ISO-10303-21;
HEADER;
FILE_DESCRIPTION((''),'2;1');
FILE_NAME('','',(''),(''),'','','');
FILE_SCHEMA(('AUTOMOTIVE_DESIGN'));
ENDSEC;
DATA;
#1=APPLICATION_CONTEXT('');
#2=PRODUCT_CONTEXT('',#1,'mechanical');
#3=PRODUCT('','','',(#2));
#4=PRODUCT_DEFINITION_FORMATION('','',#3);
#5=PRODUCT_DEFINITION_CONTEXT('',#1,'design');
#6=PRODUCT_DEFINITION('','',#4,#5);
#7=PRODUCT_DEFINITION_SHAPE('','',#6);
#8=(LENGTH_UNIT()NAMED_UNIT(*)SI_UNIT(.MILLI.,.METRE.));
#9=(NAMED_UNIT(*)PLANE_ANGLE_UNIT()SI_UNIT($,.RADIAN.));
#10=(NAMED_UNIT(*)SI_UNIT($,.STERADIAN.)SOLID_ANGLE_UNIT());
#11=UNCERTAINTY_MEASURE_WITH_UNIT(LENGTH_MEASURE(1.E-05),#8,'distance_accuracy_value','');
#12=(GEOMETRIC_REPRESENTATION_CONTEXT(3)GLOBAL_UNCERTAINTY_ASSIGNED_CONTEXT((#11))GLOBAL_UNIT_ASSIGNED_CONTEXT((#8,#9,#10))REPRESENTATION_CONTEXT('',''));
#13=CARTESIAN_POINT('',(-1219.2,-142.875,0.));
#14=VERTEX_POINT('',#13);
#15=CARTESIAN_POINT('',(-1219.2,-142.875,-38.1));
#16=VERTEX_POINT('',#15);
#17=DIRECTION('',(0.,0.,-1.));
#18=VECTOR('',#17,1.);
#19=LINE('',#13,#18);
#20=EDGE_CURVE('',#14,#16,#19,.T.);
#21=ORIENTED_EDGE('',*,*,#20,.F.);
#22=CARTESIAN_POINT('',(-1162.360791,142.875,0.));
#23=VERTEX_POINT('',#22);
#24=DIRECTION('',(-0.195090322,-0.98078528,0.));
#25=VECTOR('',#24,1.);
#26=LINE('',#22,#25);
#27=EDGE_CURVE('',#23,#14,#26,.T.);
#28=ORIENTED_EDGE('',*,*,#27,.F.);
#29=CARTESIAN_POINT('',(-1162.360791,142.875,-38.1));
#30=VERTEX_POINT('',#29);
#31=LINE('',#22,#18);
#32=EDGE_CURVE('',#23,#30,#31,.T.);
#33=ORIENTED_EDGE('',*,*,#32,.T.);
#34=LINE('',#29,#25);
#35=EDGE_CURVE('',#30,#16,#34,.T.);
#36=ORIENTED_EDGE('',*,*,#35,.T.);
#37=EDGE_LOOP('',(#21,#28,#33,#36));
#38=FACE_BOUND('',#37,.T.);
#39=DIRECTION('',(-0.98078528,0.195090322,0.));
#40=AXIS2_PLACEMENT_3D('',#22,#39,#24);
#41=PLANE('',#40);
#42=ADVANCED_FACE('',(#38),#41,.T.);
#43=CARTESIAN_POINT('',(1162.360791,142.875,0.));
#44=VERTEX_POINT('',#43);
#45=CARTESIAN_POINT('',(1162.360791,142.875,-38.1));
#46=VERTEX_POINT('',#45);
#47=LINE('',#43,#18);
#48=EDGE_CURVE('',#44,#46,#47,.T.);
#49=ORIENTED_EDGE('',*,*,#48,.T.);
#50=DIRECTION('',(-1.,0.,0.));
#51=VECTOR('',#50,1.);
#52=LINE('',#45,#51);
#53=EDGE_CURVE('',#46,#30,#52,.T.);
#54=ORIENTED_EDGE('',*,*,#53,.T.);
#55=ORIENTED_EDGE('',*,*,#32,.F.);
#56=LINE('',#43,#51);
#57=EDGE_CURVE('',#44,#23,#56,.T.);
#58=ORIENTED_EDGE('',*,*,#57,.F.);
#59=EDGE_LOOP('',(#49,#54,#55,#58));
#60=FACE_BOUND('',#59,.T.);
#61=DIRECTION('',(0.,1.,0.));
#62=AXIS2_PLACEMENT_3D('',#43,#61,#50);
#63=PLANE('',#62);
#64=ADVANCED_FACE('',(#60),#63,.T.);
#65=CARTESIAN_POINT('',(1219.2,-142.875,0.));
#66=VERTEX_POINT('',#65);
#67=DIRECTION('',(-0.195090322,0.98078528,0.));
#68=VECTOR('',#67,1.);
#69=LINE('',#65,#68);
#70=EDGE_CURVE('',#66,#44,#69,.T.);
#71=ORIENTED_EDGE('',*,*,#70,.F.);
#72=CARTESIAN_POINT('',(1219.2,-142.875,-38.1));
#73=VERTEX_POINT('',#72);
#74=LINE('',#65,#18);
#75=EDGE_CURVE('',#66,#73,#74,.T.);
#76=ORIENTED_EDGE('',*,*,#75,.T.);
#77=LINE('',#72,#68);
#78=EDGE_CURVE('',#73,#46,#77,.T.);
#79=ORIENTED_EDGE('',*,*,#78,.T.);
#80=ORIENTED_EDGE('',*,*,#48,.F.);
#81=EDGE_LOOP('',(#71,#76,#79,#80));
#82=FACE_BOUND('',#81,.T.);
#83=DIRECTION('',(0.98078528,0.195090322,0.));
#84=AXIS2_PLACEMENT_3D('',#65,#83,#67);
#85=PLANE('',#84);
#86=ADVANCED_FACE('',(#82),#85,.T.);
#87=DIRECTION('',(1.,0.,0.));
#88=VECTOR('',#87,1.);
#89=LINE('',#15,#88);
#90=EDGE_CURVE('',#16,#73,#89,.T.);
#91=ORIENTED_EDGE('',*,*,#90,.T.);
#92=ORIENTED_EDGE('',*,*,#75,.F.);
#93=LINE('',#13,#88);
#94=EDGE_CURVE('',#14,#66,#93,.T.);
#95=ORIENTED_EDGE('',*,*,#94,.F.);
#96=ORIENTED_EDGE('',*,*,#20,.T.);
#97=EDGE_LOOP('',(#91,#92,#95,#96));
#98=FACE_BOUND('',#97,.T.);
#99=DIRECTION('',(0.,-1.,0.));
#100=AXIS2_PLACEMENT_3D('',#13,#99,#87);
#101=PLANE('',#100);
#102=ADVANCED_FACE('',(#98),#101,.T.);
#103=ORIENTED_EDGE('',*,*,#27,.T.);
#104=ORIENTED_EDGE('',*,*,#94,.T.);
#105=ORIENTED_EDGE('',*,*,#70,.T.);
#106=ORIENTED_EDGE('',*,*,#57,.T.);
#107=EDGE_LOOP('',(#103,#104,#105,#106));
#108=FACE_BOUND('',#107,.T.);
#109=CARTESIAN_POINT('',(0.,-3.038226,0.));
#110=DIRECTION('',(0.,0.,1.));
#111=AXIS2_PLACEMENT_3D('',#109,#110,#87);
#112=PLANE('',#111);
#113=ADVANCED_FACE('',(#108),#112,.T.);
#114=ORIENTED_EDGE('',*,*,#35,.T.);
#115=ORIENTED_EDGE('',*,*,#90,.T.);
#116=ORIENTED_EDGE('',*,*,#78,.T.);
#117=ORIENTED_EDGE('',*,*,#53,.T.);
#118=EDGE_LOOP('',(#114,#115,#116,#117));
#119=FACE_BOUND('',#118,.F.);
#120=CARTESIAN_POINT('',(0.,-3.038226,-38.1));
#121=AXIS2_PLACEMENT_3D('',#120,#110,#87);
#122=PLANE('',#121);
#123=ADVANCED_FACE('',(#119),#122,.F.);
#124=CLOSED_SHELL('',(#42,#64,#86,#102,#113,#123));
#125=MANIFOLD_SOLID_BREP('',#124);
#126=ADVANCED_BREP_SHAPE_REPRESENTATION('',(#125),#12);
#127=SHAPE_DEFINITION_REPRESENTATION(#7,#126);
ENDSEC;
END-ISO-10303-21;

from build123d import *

# Parameters (mm, degrees)
F1_DEPTH = 38.1


with BuildPart() as f1:
    # F0 (on Top) → F1 (new body)
    with BuildSketch(Plane.XY):
        Polygon((1162.360791, 142.875), (-1162.360791, 142.875), (-1219.2, -142.875), (1219.2, -142.875), align=None)
    extrude(amount=-F1_DEPTH)


solid = f1.part
